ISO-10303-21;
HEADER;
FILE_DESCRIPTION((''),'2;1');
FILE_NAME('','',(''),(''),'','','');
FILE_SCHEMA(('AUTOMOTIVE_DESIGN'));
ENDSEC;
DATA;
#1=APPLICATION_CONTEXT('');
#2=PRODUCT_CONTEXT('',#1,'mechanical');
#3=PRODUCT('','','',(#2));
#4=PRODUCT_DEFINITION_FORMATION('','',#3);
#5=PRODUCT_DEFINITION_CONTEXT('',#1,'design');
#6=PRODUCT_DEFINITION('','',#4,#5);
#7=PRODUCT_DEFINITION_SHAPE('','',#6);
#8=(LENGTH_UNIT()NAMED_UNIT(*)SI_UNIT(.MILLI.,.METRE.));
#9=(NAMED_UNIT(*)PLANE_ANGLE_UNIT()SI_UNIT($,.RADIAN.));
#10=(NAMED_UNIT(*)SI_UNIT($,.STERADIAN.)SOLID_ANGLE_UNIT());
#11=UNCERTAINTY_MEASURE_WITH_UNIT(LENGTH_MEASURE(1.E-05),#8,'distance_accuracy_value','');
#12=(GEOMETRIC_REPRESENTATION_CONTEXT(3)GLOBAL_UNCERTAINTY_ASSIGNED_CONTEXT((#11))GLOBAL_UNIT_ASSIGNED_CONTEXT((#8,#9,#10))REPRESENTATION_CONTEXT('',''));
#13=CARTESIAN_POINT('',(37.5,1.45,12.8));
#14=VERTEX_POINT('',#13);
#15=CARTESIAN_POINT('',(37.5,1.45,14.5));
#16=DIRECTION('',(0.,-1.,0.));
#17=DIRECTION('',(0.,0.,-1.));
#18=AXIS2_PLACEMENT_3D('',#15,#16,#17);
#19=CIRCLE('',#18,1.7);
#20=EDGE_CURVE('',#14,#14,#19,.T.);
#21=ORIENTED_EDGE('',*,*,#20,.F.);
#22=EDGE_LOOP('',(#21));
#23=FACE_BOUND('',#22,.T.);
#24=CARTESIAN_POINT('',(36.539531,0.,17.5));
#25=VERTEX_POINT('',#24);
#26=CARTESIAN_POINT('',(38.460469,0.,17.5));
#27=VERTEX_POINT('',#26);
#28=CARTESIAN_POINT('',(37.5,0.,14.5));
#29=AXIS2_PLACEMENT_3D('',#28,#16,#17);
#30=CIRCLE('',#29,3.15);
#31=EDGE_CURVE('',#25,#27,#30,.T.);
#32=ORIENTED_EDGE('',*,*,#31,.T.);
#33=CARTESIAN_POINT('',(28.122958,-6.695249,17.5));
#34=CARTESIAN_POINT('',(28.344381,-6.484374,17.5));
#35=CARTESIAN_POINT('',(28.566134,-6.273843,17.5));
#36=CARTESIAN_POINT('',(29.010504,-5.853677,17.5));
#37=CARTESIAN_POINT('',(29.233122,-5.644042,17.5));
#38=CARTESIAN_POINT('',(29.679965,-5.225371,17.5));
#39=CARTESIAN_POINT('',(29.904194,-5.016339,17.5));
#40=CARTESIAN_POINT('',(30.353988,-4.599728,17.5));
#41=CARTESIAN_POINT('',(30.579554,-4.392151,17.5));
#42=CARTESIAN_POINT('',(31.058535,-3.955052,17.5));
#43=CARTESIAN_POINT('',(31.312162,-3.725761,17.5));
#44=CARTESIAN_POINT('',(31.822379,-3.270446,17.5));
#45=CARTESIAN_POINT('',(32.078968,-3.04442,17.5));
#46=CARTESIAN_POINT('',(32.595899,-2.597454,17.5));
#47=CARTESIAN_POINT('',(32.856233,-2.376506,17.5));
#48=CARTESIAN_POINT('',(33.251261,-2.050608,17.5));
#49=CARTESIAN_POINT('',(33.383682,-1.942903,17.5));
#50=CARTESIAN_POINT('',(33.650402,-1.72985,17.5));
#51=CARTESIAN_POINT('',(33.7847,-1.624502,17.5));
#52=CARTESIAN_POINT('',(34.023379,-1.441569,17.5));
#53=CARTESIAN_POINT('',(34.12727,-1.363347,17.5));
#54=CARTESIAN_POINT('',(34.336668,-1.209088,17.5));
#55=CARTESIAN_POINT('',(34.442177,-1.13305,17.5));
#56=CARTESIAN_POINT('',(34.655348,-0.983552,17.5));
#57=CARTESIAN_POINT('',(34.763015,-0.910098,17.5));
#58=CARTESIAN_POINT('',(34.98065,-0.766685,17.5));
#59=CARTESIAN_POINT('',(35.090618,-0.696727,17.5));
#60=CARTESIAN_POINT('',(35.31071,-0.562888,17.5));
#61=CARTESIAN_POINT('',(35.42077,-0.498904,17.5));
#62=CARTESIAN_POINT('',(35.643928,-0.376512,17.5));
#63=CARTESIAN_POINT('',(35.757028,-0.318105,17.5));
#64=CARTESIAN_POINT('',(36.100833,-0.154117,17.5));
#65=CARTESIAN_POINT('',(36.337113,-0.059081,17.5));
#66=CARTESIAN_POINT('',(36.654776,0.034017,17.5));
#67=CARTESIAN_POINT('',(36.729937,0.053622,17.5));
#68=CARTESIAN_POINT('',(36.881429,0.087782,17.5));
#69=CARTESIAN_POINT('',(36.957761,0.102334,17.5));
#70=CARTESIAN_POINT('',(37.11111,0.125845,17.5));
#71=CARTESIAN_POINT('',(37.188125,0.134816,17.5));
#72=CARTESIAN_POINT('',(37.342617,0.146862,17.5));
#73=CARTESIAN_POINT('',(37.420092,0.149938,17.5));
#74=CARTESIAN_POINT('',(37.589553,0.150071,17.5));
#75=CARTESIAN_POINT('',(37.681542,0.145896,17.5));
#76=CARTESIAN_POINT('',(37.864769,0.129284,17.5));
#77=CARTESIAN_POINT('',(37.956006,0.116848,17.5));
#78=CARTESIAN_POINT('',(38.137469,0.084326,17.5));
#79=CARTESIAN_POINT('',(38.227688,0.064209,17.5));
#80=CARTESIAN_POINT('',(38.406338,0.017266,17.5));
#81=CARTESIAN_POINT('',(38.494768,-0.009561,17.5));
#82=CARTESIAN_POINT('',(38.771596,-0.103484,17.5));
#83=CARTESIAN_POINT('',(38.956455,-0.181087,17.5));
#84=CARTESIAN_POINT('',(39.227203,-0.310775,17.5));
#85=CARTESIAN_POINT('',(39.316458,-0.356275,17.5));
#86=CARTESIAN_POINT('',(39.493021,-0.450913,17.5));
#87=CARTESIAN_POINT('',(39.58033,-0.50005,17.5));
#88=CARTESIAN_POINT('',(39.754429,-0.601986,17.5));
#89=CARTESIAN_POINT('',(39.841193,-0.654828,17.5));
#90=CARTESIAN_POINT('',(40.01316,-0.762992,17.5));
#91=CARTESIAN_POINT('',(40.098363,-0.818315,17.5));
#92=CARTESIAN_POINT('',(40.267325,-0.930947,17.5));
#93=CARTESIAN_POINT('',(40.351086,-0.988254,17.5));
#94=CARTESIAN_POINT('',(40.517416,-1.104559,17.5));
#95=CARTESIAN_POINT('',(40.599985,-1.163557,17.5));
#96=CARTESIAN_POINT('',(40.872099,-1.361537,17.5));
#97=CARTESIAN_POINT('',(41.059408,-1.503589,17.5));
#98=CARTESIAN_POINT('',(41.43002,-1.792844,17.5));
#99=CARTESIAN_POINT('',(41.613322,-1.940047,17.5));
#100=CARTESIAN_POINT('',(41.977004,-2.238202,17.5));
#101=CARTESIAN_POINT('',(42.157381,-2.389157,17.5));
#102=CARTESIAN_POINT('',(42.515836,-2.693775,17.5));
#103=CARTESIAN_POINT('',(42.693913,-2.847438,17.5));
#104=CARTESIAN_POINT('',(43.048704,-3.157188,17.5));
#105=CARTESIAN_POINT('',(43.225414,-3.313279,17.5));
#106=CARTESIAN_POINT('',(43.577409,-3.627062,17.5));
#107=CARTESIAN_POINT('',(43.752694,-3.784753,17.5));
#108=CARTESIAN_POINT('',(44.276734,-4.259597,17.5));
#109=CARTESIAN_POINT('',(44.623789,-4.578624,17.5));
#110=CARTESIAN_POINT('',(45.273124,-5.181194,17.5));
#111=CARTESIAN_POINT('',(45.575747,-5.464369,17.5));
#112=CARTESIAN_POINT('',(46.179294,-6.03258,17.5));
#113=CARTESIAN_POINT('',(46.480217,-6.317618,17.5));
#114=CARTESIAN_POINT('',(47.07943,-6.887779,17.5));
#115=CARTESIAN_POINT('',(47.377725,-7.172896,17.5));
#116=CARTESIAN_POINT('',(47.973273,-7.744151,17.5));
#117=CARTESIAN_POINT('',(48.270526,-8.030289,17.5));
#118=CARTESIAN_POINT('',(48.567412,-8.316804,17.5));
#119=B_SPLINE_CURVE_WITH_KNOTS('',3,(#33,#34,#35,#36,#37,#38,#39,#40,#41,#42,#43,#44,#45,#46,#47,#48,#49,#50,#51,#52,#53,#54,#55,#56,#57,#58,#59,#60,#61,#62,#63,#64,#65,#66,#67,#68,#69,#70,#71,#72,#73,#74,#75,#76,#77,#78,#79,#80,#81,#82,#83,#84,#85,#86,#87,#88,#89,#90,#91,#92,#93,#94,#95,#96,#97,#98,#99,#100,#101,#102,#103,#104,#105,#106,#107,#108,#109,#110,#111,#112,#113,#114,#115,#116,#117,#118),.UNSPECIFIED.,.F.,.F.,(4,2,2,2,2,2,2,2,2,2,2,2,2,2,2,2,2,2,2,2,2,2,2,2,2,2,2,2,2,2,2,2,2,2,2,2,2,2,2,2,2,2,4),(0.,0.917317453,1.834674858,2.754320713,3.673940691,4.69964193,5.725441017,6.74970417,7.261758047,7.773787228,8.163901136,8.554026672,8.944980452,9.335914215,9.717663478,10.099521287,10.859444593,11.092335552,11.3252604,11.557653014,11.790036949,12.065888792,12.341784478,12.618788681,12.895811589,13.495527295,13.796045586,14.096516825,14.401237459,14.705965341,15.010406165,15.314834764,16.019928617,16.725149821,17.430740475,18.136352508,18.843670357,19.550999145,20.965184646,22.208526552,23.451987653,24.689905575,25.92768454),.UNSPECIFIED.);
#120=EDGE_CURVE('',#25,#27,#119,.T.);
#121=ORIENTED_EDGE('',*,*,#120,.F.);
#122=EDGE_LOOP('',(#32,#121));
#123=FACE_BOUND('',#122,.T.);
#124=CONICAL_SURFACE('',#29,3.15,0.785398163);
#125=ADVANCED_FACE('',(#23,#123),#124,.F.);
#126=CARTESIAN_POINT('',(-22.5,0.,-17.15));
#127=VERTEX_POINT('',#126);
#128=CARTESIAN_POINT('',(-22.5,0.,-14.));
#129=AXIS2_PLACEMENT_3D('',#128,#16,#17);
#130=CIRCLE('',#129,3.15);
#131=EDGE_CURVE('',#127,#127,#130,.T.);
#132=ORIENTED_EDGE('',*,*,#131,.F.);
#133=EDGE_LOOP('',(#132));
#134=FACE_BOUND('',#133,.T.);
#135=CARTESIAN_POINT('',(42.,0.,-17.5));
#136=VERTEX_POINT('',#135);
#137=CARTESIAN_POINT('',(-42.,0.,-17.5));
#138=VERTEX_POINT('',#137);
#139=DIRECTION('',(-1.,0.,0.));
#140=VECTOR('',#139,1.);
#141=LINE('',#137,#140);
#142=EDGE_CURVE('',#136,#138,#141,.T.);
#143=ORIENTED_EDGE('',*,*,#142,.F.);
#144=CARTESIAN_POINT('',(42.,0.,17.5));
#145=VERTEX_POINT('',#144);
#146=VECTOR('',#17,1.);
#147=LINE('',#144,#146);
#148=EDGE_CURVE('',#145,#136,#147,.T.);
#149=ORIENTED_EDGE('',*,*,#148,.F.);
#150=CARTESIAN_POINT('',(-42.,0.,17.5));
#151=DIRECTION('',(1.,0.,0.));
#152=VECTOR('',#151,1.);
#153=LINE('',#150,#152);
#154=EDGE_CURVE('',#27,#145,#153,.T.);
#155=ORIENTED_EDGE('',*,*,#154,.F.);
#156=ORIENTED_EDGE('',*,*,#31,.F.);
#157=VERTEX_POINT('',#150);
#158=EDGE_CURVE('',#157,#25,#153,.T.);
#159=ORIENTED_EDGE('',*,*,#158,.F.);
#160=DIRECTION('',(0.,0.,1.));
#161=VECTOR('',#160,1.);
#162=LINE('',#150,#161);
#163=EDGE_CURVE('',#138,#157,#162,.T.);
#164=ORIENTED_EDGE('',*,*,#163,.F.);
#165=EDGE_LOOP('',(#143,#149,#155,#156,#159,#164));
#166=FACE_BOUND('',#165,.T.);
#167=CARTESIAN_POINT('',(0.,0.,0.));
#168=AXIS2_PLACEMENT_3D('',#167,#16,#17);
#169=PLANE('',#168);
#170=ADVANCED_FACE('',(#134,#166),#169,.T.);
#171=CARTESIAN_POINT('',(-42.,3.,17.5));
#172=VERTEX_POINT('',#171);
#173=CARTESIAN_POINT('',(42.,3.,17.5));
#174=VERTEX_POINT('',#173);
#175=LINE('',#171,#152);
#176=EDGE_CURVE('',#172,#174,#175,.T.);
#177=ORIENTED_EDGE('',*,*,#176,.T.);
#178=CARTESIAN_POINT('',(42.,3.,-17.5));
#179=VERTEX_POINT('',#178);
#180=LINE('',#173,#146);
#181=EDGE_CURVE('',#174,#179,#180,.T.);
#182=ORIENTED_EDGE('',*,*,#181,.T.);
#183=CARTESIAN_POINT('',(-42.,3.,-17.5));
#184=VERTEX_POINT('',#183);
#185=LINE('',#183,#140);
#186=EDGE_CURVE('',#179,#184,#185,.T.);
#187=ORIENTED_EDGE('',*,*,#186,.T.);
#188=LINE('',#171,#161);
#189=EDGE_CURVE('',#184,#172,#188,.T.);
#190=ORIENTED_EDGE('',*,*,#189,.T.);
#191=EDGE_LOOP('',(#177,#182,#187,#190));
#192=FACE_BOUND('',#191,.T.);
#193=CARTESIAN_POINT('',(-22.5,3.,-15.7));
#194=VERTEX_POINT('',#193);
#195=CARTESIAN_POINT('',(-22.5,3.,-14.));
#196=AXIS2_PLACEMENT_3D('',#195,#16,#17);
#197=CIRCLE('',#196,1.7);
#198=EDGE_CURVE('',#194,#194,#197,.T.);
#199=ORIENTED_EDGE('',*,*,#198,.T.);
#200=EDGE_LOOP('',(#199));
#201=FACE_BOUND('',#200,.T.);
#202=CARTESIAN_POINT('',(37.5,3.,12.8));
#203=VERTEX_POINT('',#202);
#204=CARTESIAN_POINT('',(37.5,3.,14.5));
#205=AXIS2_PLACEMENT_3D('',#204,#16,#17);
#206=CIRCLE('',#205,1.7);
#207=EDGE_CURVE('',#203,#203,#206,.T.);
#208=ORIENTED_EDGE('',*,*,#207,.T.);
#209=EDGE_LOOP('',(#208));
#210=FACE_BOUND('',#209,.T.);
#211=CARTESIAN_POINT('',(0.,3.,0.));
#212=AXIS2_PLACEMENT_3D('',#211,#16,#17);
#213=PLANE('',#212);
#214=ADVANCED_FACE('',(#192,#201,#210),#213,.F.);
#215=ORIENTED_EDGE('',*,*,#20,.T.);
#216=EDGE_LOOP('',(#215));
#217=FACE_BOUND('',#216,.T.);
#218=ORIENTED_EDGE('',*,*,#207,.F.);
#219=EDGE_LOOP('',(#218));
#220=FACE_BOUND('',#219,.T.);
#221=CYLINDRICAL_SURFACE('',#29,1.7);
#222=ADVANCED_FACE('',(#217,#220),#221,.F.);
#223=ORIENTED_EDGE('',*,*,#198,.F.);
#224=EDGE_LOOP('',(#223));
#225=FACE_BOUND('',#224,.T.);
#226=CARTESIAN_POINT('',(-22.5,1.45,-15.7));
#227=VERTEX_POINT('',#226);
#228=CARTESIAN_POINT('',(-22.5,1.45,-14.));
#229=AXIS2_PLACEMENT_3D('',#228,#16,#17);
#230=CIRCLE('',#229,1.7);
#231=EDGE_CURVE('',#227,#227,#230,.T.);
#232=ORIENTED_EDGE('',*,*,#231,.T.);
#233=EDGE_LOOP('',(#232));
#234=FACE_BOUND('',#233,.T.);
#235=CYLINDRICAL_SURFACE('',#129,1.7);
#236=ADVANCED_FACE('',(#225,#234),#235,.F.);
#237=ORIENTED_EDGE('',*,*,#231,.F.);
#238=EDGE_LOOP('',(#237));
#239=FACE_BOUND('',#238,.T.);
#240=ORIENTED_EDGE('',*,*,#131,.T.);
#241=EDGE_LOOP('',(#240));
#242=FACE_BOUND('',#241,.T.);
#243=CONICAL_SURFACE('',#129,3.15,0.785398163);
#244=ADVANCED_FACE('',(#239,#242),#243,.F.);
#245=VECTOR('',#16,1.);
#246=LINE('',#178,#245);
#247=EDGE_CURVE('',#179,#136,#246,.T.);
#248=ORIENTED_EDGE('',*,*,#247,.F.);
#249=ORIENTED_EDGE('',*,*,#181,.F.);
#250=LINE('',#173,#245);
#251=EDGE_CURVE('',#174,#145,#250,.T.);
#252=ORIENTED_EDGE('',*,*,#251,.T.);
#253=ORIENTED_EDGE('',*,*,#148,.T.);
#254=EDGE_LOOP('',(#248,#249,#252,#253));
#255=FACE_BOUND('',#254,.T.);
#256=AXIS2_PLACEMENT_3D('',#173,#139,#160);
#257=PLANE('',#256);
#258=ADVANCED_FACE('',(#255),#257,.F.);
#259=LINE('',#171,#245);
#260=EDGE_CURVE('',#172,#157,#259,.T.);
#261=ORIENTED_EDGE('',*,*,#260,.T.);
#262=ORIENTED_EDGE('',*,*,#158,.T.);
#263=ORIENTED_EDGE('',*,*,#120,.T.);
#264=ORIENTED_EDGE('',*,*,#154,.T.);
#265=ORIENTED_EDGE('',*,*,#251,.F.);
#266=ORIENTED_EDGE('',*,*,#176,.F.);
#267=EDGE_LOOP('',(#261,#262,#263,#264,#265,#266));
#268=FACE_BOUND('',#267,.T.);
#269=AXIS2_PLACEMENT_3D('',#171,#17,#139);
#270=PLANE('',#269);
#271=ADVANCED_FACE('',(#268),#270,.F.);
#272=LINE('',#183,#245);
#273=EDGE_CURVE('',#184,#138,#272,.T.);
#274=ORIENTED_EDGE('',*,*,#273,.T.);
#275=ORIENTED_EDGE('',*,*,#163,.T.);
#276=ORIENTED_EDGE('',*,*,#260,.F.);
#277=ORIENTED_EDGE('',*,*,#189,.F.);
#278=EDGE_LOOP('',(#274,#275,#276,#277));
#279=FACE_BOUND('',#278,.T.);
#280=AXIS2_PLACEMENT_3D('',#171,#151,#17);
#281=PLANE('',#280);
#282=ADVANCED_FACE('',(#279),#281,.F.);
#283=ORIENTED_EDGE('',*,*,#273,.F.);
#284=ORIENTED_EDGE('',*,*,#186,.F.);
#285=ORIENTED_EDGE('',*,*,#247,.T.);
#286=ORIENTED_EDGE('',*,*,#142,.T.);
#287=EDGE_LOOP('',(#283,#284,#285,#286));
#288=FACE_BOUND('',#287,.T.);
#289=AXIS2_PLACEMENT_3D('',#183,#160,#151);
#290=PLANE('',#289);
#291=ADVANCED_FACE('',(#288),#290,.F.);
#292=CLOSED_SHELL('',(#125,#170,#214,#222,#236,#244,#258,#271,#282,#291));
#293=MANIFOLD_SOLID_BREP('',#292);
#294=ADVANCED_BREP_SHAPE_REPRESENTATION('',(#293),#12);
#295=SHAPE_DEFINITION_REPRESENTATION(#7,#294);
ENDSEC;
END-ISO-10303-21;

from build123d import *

# Parameters (mm, degrees)
SKETCH1_W                                      = 84
SKETCH1_H                                      = 35
BOSS_EXTRUDE1_DEPTH                            = 3
CSK_FOR_M3_FLAT_HEAD_MACHINE_SCREW1_AT_2_COUNT = 2
CSK_FOR_M3_FLAT_HEAD_MACHINE_SCREW1_AT_2_PITCH = 66.424769476


with BuildPart() as part:
    # Sketch1 → Boss-Extrude1 (new body)
    with BuildSketch(Plane(origin=(0, 0, 0), x_dir=(1, 0, 0), z_dir=(0, 1, 0))):
        Rectangle(SKETCH1_W, SKETCH1_H)
    extrude(amount=BOSS_EXTRUDE1_DEPTH)

    # Sketch5 → CSK for M3 Flat Head Machine Screw1 (revolve, cut)
    with BuildSketch(Plane(origin=(37.5, 0, 14.5), x_dir=(0, 0, -1), z_dir=(1, 0, 0))):
        Polygon((0, 0), (0, 3), (1.7, 3), (1.7, 1.45), (3.15, 0), align=None)
    csk_for_m3_flat_head_machine_screw1 = revolve(axis=Axis((37.5, -6.35, 14.5), (0, 1, 0)), mode=Mode.SUBTRACT)

    # CSK for M3 Flat Head Machine Screw1 at 2: CSK for M3 Flat Head Machine Screw1 ×2
    with Locations(*[Vector(-0.9032775043542898, 0, -0.4290568145682877) * (i * CSK_FOR_M3_FLAT_HEAD_MACHINE_SCREW1_AT_2_PITCH) for i in range(1, CSK_FOR_M3_FLAT_HEAD_MACHINE_SCREW1_AT_2_COUNT)]):
        add(csk_for_m3_flat_head_machine_screw1, mode=Mode.SUBTRACT)


solid = part.part
